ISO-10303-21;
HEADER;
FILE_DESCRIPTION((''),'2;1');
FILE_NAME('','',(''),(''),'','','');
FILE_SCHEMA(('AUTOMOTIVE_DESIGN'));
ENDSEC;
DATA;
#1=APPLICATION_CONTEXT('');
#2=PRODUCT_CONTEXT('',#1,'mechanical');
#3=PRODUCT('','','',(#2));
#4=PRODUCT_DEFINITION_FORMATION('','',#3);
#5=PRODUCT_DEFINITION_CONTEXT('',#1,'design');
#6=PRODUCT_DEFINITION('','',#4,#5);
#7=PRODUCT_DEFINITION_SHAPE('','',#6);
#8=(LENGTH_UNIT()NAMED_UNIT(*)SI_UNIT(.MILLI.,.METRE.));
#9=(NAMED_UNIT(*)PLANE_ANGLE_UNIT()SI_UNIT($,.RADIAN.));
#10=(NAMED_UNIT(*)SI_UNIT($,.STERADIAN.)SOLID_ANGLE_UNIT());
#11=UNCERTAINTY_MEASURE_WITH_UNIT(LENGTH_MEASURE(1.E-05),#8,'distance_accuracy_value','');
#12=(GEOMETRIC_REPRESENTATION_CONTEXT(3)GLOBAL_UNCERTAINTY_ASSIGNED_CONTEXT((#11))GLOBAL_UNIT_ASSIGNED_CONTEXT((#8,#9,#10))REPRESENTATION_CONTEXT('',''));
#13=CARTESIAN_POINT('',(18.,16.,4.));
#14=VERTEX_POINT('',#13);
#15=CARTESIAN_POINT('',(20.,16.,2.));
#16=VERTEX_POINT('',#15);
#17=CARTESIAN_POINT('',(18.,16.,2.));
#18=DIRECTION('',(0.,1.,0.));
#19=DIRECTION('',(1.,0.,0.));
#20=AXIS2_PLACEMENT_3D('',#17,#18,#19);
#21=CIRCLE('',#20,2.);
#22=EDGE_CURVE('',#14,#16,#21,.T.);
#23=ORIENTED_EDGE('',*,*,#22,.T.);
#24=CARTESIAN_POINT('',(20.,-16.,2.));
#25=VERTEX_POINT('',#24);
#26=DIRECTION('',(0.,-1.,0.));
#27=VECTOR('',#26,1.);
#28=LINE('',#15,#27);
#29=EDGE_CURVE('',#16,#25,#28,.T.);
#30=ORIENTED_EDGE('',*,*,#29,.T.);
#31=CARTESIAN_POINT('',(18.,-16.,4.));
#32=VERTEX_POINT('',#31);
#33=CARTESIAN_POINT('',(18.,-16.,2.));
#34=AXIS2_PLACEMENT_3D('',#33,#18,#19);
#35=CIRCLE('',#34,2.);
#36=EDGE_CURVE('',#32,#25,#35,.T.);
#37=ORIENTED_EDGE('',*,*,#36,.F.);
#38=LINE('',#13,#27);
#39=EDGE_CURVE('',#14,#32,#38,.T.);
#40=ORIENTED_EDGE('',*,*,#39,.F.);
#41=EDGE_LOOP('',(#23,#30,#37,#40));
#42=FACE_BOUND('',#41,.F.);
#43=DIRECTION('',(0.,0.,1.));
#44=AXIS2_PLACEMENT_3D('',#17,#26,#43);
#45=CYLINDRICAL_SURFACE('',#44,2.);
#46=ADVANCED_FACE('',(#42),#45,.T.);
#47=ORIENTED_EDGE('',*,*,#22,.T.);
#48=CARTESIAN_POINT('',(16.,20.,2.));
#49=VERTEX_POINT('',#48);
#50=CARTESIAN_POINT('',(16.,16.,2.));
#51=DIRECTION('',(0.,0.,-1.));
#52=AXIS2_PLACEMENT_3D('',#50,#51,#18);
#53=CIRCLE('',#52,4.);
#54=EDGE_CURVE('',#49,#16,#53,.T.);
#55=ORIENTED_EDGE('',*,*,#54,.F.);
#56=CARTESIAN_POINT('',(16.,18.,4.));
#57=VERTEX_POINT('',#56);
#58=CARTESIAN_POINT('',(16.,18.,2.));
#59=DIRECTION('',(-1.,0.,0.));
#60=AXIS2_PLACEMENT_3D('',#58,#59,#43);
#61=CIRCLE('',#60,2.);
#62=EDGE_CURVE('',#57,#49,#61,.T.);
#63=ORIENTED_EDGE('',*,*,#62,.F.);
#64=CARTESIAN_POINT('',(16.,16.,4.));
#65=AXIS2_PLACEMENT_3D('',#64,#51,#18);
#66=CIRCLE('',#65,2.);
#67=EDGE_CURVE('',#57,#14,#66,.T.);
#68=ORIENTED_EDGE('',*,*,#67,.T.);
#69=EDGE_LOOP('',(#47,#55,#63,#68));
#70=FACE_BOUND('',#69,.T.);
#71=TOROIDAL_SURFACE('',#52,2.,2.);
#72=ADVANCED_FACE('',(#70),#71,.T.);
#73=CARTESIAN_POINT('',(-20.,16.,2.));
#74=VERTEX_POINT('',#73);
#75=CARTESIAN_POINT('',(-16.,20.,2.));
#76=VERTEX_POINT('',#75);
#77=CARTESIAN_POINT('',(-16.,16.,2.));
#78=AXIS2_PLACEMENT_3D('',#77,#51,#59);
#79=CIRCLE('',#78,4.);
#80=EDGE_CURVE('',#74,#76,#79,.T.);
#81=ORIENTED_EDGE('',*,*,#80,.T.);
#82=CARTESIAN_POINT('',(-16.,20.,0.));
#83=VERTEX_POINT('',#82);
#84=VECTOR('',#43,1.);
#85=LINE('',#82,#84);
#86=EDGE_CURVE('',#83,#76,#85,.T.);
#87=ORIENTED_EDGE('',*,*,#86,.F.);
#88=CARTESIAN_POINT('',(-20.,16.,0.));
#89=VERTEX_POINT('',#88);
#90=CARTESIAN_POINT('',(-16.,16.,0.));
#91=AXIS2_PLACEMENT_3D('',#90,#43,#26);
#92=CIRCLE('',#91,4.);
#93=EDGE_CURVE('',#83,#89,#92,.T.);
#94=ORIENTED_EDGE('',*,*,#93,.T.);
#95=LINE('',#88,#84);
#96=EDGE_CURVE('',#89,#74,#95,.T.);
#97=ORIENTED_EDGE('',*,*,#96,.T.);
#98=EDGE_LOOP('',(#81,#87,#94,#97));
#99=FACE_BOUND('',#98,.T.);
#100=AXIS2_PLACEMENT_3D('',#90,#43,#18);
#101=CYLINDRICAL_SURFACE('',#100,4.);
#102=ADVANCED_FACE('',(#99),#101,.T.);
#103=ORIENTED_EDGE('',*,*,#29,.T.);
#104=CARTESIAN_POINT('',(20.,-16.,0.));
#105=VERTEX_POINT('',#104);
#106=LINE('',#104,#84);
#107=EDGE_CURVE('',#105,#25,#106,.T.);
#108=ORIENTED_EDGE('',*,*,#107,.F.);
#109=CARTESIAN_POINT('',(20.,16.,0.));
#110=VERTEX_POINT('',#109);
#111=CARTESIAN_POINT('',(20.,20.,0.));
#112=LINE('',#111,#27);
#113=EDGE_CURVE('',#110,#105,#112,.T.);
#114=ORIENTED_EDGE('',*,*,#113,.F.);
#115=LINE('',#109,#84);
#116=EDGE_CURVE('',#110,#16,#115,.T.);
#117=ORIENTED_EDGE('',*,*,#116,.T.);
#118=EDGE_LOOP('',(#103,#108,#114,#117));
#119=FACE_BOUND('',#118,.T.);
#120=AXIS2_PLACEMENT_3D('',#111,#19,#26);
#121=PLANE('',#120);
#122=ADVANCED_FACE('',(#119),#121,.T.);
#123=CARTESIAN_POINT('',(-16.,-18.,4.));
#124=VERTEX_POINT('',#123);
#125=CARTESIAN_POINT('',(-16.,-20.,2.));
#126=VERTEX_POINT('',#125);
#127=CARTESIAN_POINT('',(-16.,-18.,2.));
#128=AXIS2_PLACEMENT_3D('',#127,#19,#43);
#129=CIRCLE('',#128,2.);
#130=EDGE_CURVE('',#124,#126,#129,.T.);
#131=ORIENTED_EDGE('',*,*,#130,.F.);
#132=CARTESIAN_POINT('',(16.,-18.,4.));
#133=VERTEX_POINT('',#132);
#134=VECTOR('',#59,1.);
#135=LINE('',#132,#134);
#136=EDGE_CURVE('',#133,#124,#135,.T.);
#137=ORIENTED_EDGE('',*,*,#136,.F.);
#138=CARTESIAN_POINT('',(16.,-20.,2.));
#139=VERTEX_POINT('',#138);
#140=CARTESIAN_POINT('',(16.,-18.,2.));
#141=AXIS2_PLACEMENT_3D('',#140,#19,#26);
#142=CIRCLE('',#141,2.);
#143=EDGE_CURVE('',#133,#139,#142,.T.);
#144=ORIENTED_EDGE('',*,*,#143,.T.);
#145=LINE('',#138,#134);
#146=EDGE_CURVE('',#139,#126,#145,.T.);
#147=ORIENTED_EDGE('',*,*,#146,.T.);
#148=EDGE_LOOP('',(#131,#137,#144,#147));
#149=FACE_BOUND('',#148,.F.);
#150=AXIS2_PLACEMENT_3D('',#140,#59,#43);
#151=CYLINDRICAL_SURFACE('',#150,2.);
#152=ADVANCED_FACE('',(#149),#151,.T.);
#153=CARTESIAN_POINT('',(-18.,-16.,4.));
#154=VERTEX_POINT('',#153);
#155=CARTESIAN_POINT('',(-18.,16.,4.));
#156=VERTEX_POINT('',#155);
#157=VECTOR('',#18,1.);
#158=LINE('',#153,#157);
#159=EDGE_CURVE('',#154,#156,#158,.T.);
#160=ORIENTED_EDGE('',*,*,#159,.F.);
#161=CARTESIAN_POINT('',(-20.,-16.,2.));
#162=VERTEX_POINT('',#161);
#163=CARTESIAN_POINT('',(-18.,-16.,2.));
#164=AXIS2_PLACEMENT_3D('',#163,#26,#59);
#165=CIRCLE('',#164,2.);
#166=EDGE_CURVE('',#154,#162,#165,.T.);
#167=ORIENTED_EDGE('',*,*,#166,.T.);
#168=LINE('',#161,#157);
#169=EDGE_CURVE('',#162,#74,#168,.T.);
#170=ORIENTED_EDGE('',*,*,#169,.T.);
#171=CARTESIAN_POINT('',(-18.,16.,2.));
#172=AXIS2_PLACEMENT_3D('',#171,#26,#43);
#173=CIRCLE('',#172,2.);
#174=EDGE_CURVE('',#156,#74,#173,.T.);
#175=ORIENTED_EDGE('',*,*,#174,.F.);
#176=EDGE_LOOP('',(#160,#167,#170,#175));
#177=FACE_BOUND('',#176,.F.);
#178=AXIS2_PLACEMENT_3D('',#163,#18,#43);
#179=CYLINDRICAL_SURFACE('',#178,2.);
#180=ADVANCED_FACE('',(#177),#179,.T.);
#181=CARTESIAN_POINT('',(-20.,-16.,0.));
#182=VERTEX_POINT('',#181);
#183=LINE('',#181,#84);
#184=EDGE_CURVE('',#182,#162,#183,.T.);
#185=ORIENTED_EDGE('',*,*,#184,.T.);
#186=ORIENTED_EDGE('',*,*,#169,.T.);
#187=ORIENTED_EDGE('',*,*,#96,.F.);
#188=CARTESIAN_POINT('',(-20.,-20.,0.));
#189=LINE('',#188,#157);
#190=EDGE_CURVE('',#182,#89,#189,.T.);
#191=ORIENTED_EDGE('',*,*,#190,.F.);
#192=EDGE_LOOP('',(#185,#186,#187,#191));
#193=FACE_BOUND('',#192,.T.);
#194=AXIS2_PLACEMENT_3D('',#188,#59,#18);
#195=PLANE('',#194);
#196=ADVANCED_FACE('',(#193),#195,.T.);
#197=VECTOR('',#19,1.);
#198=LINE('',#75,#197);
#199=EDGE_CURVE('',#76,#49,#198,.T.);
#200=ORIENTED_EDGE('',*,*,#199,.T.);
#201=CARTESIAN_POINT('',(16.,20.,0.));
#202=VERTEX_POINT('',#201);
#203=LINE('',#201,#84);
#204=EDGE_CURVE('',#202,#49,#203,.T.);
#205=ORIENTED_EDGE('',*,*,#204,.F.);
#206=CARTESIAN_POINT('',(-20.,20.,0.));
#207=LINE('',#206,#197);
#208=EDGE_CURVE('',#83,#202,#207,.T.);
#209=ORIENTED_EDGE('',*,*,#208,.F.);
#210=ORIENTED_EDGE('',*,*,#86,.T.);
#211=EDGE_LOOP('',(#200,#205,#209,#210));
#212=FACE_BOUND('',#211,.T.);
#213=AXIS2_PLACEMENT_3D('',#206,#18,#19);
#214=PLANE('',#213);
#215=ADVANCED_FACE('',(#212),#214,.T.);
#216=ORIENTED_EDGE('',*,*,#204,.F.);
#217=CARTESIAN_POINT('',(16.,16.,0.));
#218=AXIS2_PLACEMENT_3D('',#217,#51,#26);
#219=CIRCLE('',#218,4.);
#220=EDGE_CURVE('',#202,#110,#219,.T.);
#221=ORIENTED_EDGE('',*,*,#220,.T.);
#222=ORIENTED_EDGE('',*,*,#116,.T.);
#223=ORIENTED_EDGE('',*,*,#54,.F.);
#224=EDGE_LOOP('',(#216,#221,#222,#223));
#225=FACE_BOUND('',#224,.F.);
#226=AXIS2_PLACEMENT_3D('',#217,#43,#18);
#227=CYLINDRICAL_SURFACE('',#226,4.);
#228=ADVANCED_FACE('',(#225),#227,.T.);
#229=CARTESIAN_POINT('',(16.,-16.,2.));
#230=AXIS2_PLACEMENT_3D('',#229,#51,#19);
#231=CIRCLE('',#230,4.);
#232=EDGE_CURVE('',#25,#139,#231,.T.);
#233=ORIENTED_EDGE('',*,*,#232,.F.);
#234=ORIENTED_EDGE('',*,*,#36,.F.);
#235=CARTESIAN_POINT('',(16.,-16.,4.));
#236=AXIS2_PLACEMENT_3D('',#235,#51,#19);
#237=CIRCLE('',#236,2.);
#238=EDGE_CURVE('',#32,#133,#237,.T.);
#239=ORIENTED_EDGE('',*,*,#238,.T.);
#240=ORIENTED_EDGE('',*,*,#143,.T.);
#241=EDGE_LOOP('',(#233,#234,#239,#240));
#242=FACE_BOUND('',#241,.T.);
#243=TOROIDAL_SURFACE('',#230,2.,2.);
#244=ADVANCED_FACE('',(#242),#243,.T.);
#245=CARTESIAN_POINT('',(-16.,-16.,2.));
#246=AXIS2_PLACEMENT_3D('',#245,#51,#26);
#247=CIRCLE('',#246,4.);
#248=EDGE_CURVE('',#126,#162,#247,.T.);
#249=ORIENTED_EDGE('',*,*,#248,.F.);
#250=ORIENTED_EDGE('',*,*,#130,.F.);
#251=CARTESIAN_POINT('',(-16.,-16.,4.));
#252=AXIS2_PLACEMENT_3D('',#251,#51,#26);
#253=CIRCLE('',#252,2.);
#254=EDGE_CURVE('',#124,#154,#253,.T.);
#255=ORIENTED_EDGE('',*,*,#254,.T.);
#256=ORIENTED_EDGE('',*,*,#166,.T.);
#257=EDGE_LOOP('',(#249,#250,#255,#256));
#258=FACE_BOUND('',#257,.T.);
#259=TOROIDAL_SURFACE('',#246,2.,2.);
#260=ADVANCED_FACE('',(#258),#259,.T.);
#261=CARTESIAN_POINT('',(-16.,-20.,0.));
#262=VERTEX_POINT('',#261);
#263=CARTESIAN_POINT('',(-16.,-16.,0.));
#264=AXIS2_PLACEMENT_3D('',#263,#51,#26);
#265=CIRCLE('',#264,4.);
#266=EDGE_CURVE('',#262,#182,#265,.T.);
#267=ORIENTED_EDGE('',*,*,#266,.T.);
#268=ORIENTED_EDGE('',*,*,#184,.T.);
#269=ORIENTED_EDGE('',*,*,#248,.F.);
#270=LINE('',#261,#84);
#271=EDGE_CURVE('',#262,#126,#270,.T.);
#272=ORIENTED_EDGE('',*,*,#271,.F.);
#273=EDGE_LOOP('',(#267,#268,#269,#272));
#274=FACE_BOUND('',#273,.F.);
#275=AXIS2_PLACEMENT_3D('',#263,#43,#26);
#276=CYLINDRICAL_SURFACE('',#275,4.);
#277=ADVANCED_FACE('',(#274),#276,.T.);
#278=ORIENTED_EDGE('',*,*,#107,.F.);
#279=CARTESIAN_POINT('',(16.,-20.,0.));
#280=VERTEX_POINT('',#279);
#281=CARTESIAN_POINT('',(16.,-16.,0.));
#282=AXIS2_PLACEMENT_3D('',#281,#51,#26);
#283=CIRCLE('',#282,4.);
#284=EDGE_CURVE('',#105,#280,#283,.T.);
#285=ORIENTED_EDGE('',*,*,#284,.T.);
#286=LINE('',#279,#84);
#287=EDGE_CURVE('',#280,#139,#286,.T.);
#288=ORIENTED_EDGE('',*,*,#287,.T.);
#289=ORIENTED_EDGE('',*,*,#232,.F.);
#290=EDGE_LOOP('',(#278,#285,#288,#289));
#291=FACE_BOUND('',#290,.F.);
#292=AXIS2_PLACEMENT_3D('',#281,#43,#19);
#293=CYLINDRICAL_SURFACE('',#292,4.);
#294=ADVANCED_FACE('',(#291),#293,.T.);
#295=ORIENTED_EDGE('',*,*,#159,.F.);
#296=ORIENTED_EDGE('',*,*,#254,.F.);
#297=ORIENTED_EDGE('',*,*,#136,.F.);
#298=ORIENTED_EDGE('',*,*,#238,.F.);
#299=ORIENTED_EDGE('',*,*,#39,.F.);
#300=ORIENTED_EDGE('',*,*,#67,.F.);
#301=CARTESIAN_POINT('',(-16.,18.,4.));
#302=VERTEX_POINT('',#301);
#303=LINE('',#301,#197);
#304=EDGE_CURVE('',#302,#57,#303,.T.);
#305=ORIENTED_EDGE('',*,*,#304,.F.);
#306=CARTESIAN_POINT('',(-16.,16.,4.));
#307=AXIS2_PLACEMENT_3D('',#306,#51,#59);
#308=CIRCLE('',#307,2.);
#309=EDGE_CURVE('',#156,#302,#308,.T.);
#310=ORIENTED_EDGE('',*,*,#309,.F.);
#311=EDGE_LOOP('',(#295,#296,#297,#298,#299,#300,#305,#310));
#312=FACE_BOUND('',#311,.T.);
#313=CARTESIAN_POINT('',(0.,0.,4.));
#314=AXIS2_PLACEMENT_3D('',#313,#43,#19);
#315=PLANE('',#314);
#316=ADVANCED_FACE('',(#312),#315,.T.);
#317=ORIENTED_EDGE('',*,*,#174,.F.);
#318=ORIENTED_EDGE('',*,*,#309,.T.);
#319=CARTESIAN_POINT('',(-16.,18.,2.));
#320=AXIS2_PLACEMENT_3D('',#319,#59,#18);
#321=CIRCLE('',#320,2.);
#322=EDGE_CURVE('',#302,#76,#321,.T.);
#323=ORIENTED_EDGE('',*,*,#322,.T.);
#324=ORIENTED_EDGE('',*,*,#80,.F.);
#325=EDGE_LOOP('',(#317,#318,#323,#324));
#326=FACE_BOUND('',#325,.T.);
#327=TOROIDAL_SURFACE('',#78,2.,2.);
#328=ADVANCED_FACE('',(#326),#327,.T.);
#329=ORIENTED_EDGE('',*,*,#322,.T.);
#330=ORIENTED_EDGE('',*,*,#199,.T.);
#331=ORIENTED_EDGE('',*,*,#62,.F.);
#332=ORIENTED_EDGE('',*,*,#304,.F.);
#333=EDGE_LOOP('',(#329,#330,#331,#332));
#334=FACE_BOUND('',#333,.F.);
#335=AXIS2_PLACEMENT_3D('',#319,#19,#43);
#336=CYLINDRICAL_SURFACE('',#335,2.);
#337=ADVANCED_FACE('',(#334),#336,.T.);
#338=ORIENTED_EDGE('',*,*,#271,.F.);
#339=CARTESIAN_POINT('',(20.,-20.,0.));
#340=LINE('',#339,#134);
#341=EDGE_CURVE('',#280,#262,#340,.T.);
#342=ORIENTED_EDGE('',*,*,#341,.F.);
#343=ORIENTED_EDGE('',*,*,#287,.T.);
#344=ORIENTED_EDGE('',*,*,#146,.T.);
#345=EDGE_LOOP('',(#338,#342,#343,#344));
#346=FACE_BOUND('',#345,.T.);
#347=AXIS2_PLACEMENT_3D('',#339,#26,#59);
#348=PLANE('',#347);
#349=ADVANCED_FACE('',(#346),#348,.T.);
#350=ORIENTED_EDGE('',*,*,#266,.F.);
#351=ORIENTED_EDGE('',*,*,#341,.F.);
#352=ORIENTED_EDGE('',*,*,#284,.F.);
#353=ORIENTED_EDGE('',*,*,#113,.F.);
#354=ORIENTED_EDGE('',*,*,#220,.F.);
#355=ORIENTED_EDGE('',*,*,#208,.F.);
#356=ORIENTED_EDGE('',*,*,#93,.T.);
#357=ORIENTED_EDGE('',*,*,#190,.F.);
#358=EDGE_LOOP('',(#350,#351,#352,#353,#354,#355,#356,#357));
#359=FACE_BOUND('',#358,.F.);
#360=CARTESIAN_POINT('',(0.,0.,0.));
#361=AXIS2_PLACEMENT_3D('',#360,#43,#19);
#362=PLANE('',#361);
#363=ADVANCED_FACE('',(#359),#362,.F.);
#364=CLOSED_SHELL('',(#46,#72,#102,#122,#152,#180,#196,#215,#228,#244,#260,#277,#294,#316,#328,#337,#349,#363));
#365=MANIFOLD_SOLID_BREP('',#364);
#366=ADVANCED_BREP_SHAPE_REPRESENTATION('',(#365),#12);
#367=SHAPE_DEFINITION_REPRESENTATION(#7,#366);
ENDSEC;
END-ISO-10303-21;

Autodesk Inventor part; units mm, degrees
ref_plane "YZ Plane" through (0, 0, 0) normal (1, 0, 0) x (0, 1, 0)
ref_plane "XZ Plane" through (0, 0, 0) normal (0, 1, 0) x (-1, 0, 0)
ref_plane "XY Plane" through (0, 0, 0) normal (0, 0, 1) x (1, 0, 0)
sketch "Skizze1" plane through (0, 0, 0) normal (0, 0, 1) x (1, 0, 0)
  line L0 (-20, 20) -> (20, 20)
  line L1 (20, 20) -> (20, -20)
  line L2 (20, -20) -> (-20, -20)
  line L3 (-20, -20) -> (-20, 20)
  line L4 (-20, 20) -> (20, -20) construction
  line L5 (20, 20) -> (-20, -20) construction
  point P0 (0, 0)
  dimension "d0" = 40
  dimension "d1" = 40
extrude "Extrusion1" add sketch "Skizze1" along normal blind 4
fillet "Rundung1" radius 4 4 edges at (-20, -20, 2) (20, -20, 2) (-20, 20, 2) (20, 20, 2)
fillet "Rundung2" radius 2 8 edges at (18.8284, -18.8284, 4) (20, 0, 4) (18.8284, 18.8284, 4) (0, 20, 4) (-18.8284, 18.8284, 4) (-20, 0, 4) (-18.8284, -18.8284, 4) (0, -20, 4)
properties part number "Abdeckkappe-40x40x4"
